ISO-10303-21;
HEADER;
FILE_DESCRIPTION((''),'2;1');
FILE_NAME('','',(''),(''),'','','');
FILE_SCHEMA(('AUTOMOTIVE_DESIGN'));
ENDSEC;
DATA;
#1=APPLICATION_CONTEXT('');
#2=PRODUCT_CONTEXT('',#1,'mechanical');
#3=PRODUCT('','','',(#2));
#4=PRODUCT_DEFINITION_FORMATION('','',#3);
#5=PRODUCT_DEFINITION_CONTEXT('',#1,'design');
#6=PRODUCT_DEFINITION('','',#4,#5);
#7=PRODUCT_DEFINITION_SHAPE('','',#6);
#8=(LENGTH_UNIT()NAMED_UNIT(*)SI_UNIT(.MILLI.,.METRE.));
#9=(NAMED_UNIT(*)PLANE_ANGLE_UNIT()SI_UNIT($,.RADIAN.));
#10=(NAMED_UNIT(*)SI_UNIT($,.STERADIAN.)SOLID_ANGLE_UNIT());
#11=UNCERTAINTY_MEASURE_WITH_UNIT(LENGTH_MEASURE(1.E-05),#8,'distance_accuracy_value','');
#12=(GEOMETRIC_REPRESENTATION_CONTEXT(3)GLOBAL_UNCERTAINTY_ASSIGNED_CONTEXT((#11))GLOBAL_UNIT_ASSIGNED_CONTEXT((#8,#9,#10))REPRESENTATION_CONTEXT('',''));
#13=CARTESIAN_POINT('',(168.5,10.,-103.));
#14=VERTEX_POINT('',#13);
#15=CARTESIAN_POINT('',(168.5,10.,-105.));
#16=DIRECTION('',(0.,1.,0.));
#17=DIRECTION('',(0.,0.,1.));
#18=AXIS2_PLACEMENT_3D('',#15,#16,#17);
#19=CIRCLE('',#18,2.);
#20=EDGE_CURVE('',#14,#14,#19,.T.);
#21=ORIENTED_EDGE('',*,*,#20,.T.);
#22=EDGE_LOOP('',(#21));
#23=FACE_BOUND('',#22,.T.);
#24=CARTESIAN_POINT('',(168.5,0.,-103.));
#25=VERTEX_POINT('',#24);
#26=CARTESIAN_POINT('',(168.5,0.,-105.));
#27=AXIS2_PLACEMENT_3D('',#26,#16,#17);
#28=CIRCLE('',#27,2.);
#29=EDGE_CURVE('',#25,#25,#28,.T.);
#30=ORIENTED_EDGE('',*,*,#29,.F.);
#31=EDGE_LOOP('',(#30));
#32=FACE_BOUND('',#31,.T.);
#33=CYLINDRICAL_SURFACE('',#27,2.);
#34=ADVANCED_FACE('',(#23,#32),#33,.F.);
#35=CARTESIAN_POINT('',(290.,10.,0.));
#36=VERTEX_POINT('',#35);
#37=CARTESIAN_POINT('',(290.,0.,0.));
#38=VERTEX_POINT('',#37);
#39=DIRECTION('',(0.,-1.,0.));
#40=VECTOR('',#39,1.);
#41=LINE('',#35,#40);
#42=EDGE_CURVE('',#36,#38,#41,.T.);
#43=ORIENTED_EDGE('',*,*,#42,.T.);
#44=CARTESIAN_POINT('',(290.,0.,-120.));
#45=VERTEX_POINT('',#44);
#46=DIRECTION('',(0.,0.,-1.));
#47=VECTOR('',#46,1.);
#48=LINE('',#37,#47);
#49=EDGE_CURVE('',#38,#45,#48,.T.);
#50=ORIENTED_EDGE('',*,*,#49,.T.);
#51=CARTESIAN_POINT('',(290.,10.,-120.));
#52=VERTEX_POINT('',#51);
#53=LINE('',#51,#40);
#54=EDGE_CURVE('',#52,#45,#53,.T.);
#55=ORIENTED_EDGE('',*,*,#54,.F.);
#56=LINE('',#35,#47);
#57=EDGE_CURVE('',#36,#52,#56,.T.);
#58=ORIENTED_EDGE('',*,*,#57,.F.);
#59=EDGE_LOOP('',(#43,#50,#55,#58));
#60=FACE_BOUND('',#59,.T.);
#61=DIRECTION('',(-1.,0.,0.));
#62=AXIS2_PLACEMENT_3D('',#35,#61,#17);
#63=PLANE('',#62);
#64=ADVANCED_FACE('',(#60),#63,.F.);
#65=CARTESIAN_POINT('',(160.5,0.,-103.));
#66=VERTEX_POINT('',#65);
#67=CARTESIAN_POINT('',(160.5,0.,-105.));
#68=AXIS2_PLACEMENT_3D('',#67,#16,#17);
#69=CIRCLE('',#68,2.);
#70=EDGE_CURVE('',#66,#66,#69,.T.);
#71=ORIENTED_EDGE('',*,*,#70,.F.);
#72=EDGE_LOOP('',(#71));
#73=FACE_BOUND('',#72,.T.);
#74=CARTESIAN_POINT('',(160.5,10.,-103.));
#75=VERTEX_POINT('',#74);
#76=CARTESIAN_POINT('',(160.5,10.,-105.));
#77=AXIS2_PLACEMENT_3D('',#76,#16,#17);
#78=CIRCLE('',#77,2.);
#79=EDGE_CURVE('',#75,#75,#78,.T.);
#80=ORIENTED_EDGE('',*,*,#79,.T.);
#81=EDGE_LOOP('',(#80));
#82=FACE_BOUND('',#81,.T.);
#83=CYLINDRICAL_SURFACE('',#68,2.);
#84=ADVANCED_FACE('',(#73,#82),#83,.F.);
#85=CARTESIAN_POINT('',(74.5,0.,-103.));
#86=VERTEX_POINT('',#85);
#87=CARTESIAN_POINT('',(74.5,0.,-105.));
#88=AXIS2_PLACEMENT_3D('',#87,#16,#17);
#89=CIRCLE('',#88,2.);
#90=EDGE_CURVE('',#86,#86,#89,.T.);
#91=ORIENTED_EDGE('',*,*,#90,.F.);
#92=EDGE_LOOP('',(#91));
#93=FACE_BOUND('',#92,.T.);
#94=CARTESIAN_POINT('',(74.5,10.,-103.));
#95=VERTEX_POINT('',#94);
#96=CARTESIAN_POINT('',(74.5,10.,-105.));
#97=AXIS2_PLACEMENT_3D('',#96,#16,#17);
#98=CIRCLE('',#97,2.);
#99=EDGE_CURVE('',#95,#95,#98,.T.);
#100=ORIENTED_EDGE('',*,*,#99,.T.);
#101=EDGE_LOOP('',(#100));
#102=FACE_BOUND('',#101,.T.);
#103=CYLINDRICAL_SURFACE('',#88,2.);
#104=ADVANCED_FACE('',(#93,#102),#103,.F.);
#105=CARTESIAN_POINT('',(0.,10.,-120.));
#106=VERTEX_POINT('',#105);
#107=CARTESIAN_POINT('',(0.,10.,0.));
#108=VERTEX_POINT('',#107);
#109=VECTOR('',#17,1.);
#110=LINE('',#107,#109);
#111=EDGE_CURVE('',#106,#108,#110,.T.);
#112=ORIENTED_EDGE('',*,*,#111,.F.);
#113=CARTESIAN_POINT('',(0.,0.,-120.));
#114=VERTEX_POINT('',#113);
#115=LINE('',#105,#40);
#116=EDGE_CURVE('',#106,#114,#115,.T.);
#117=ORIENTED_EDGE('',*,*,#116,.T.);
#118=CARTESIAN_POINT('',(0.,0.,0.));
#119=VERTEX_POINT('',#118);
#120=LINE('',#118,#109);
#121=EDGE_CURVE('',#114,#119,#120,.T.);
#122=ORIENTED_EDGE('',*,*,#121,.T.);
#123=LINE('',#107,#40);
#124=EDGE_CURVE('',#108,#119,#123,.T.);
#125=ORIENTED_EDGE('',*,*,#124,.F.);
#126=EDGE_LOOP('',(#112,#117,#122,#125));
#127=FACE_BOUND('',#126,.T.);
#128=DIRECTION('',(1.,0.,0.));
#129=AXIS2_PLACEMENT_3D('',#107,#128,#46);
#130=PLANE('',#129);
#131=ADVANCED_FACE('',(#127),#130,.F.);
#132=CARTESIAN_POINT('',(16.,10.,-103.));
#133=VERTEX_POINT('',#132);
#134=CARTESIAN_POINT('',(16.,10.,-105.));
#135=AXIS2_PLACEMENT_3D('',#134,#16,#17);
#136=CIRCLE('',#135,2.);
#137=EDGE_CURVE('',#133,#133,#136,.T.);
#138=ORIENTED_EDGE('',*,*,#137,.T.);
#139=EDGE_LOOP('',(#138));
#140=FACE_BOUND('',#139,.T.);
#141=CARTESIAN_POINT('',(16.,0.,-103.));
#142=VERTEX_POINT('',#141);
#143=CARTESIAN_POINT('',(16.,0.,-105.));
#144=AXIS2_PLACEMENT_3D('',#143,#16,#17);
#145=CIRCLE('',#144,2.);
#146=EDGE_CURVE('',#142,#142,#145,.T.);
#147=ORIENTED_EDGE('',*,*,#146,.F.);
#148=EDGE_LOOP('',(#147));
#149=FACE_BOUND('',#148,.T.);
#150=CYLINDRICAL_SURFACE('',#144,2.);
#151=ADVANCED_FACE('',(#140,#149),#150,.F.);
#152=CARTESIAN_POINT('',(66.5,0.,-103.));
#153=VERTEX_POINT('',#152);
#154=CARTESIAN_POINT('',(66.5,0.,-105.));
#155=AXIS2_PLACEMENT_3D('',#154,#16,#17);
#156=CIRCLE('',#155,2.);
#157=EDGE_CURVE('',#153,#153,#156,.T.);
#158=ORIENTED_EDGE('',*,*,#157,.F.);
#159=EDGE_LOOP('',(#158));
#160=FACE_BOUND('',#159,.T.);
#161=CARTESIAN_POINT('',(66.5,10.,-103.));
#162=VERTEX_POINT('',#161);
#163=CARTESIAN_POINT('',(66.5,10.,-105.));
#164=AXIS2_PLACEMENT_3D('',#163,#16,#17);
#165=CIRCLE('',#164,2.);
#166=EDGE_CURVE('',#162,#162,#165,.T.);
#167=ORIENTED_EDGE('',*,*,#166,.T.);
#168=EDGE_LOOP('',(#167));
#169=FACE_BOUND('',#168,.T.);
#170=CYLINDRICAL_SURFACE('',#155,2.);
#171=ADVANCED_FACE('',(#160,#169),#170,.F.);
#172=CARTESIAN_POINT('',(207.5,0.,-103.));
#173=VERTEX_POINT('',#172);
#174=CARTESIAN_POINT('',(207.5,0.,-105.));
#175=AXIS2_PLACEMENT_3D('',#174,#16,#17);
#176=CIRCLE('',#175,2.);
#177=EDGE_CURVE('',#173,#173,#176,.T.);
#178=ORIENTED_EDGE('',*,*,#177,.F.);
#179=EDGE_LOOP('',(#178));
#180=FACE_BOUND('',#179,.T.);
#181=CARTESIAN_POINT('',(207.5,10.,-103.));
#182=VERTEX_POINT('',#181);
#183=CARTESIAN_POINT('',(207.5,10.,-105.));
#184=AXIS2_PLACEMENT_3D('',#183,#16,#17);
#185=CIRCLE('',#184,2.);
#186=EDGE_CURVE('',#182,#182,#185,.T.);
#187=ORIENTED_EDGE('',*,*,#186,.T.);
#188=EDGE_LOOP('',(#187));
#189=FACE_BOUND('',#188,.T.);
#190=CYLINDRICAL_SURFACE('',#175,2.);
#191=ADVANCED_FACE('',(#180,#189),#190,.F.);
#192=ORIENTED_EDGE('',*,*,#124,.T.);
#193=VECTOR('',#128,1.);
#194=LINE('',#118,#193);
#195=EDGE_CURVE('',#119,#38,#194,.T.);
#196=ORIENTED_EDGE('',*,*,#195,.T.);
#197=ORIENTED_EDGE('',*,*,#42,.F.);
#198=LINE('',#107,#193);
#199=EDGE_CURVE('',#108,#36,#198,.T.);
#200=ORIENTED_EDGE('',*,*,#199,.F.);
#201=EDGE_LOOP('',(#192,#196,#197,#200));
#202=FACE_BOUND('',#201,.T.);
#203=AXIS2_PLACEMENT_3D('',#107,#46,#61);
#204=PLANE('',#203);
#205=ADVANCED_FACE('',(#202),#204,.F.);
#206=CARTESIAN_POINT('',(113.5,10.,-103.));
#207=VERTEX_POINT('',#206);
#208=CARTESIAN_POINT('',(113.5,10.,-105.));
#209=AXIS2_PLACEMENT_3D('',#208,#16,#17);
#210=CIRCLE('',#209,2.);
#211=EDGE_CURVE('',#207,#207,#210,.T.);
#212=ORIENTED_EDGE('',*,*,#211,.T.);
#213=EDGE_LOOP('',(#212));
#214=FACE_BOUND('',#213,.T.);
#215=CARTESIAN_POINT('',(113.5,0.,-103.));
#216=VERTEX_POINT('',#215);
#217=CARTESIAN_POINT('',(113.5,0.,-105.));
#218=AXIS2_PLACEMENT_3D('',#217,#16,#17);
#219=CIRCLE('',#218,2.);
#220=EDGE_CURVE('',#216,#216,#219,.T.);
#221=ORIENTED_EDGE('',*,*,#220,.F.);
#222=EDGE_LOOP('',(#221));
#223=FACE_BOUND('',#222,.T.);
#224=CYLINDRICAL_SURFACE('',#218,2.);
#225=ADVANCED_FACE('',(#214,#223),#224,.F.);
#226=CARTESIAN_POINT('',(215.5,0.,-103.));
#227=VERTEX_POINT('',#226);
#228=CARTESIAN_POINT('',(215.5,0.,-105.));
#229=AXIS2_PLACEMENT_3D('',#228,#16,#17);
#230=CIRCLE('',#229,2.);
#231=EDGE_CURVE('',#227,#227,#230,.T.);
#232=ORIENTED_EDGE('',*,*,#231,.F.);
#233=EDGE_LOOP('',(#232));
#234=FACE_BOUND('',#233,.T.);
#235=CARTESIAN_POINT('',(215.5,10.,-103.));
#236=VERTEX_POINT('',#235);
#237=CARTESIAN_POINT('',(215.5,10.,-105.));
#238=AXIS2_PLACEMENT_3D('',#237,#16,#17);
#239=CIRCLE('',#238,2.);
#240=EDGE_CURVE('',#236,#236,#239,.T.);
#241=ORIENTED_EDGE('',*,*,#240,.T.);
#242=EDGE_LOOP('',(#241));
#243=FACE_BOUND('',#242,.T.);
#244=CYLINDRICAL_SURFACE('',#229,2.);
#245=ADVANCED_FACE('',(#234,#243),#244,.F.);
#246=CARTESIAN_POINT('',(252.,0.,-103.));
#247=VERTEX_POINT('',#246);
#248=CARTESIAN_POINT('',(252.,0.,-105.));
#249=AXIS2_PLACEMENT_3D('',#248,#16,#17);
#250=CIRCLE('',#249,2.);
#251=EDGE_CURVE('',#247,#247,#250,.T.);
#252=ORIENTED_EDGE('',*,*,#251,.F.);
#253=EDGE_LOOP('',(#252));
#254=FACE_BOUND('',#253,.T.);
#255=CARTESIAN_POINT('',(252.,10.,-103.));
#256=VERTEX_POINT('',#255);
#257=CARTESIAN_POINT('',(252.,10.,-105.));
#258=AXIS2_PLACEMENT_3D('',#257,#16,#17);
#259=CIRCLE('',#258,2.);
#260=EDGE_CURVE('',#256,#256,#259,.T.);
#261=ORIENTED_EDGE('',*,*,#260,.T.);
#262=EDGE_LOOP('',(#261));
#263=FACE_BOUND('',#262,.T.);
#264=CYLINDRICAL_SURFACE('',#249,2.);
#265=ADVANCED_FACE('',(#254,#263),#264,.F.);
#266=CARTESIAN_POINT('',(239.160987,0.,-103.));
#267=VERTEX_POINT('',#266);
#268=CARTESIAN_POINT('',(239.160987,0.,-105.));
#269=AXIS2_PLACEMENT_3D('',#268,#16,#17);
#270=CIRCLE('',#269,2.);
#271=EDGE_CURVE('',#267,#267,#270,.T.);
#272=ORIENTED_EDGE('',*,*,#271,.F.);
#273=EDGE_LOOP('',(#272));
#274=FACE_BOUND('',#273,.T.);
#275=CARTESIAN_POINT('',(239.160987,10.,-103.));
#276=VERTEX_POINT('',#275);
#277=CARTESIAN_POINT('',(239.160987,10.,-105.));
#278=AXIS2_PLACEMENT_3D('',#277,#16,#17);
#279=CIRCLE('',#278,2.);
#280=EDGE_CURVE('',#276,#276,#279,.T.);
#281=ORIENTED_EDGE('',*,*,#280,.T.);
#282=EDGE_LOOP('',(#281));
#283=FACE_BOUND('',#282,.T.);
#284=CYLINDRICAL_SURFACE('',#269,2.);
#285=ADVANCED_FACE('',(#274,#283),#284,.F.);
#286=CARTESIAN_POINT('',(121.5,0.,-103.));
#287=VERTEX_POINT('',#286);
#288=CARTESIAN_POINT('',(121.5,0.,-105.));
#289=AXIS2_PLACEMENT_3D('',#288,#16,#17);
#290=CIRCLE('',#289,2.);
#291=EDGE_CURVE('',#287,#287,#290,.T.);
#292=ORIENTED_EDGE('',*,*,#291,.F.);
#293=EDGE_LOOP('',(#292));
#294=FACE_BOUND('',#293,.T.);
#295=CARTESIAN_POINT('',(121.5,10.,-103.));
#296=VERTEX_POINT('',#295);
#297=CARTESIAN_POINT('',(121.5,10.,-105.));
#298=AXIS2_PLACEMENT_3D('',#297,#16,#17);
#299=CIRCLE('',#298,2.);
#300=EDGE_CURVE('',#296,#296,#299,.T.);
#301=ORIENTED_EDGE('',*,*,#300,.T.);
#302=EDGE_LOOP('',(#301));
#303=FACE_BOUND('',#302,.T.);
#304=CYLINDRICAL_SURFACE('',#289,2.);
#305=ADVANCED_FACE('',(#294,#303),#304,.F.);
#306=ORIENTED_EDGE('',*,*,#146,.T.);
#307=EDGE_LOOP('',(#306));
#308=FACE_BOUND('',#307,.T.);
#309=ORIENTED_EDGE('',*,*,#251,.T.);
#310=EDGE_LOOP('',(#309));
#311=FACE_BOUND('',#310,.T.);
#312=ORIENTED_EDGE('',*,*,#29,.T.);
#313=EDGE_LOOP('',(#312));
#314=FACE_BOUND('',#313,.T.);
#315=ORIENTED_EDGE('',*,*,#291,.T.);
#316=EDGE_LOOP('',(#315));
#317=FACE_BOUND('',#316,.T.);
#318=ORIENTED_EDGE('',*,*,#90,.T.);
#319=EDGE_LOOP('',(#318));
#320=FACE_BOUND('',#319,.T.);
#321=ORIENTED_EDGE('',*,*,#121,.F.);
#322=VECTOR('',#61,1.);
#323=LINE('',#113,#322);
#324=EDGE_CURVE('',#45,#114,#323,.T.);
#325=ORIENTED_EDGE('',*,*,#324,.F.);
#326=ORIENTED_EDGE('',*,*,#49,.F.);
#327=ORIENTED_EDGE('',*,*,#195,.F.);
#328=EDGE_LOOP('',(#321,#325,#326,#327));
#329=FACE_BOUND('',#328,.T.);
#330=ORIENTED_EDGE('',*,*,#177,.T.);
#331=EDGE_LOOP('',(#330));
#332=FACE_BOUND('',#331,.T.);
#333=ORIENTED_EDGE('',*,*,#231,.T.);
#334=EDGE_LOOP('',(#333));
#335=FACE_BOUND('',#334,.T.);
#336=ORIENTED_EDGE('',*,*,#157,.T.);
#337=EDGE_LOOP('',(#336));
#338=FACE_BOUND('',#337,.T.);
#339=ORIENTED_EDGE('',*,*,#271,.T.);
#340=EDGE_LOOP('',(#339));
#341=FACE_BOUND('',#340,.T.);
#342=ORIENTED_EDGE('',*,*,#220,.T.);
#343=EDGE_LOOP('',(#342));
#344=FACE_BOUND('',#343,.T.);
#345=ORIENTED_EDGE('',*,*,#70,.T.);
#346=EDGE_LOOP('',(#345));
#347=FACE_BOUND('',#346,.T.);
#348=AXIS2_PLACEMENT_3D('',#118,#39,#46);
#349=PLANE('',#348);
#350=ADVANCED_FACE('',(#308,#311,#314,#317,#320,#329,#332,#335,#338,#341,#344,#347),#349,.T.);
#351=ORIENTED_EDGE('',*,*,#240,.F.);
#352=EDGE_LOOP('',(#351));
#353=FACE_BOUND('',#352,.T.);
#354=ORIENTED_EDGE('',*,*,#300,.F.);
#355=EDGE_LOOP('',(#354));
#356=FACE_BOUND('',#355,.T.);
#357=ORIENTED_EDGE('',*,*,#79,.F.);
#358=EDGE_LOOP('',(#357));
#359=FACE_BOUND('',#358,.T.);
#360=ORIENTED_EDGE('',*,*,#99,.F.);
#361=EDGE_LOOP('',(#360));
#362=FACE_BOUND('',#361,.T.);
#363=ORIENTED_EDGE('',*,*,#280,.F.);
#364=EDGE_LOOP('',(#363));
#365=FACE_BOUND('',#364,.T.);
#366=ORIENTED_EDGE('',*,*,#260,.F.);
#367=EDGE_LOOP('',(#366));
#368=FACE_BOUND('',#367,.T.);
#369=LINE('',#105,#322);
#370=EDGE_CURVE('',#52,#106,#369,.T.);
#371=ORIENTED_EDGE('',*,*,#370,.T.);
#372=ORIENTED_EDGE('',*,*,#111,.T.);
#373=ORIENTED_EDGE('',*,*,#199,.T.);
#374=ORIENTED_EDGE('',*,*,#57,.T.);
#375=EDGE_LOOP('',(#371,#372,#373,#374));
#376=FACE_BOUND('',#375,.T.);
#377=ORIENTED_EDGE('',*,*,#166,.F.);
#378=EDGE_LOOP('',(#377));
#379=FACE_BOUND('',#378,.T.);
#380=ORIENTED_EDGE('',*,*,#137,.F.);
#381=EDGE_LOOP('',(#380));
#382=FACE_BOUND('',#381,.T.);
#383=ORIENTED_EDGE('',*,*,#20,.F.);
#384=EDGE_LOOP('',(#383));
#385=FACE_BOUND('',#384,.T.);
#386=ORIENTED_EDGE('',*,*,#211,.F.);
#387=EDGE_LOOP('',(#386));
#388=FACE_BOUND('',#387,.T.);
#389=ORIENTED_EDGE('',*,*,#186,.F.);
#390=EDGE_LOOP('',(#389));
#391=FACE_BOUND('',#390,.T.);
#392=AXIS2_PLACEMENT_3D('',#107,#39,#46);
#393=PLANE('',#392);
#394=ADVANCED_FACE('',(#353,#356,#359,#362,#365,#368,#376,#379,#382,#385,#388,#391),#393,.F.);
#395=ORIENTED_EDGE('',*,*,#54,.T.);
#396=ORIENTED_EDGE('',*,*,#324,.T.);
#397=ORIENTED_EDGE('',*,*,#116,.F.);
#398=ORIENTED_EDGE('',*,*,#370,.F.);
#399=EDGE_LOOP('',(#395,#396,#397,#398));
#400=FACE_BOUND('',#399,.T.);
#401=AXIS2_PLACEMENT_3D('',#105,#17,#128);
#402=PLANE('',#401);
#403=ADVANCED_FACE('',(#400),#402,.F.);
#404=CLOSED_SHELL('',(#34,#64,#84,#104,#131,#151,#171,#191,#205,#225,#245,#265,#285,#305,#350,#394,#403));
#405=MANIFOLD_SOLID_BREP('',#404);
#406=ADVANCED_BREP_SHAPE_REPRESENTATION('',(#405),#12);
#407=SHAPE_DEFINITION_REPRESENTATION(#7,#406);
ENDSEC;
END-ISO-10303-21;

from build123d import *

# Parameters (mm, degrees)
SKETCH_1_W          = 290
SKETCH_1_H          = 120
EXTRUDE_1_DEPTH     = 10
SKETCH_2_R          = 2
CUT_EXTRUDE_1_DEPTH = 11


with BuildPart() as part:
    # Эскиз1 → Бобышка-Вытянуть1 (new body)
    with BuildSketch(Plane(origin=(0, 0, 0), x_dir=(1, 0, 0), z_dir=(0, 1, 0))):
        with Locations((145, 60)):
            Rectangle(SKETCH_1_W, SKETCH_1_H)
    extrude(amount=EXTRUDE_1_DEPTH)

    # Эскиз2 → Вырез-Вытянуть1 (cut, through all)
    with BuildSketch(Plane(origin=(0, 10, 0), x_dir=(1, 0, 0), z_dir=(0, 1, 0))):
        with Locations((16, 105)):
            Circle(SKETCH_2_R)
        with Locations((252, 105)):
            Circle(SKETCH_2_R)
        with Locations((66.5, 105)):
            Circle(SKETCH_2_R)
        with Locations((74.5, 105)):
            Circle(SKETCH_2_R)
        with Locations((113.5, 105)):
            Circle(SKETCH_2_R)
        with Locations((121.5, 105)):
            Circle(SKETCH_2_R)
        with Locations((160.5, 105)):
            Circle(SKETCH_2_R)
        with Locations((168.5, 105)):
            Circle(SKETCH_2_R)
        with Locations((207.5, 105)):
            Circle(SKETCH_2_R)
        with Locations((215.5, 105)):
            Circle(SKETCH_2_R)
        with Locations((239.16098685, 105)):
            Circle(SKETCH_2_R)
    extrude(amount=-CUT_EXTRUDE_1_DEPTH, mode=Mode.SUBTRACT)


solid = part.part
